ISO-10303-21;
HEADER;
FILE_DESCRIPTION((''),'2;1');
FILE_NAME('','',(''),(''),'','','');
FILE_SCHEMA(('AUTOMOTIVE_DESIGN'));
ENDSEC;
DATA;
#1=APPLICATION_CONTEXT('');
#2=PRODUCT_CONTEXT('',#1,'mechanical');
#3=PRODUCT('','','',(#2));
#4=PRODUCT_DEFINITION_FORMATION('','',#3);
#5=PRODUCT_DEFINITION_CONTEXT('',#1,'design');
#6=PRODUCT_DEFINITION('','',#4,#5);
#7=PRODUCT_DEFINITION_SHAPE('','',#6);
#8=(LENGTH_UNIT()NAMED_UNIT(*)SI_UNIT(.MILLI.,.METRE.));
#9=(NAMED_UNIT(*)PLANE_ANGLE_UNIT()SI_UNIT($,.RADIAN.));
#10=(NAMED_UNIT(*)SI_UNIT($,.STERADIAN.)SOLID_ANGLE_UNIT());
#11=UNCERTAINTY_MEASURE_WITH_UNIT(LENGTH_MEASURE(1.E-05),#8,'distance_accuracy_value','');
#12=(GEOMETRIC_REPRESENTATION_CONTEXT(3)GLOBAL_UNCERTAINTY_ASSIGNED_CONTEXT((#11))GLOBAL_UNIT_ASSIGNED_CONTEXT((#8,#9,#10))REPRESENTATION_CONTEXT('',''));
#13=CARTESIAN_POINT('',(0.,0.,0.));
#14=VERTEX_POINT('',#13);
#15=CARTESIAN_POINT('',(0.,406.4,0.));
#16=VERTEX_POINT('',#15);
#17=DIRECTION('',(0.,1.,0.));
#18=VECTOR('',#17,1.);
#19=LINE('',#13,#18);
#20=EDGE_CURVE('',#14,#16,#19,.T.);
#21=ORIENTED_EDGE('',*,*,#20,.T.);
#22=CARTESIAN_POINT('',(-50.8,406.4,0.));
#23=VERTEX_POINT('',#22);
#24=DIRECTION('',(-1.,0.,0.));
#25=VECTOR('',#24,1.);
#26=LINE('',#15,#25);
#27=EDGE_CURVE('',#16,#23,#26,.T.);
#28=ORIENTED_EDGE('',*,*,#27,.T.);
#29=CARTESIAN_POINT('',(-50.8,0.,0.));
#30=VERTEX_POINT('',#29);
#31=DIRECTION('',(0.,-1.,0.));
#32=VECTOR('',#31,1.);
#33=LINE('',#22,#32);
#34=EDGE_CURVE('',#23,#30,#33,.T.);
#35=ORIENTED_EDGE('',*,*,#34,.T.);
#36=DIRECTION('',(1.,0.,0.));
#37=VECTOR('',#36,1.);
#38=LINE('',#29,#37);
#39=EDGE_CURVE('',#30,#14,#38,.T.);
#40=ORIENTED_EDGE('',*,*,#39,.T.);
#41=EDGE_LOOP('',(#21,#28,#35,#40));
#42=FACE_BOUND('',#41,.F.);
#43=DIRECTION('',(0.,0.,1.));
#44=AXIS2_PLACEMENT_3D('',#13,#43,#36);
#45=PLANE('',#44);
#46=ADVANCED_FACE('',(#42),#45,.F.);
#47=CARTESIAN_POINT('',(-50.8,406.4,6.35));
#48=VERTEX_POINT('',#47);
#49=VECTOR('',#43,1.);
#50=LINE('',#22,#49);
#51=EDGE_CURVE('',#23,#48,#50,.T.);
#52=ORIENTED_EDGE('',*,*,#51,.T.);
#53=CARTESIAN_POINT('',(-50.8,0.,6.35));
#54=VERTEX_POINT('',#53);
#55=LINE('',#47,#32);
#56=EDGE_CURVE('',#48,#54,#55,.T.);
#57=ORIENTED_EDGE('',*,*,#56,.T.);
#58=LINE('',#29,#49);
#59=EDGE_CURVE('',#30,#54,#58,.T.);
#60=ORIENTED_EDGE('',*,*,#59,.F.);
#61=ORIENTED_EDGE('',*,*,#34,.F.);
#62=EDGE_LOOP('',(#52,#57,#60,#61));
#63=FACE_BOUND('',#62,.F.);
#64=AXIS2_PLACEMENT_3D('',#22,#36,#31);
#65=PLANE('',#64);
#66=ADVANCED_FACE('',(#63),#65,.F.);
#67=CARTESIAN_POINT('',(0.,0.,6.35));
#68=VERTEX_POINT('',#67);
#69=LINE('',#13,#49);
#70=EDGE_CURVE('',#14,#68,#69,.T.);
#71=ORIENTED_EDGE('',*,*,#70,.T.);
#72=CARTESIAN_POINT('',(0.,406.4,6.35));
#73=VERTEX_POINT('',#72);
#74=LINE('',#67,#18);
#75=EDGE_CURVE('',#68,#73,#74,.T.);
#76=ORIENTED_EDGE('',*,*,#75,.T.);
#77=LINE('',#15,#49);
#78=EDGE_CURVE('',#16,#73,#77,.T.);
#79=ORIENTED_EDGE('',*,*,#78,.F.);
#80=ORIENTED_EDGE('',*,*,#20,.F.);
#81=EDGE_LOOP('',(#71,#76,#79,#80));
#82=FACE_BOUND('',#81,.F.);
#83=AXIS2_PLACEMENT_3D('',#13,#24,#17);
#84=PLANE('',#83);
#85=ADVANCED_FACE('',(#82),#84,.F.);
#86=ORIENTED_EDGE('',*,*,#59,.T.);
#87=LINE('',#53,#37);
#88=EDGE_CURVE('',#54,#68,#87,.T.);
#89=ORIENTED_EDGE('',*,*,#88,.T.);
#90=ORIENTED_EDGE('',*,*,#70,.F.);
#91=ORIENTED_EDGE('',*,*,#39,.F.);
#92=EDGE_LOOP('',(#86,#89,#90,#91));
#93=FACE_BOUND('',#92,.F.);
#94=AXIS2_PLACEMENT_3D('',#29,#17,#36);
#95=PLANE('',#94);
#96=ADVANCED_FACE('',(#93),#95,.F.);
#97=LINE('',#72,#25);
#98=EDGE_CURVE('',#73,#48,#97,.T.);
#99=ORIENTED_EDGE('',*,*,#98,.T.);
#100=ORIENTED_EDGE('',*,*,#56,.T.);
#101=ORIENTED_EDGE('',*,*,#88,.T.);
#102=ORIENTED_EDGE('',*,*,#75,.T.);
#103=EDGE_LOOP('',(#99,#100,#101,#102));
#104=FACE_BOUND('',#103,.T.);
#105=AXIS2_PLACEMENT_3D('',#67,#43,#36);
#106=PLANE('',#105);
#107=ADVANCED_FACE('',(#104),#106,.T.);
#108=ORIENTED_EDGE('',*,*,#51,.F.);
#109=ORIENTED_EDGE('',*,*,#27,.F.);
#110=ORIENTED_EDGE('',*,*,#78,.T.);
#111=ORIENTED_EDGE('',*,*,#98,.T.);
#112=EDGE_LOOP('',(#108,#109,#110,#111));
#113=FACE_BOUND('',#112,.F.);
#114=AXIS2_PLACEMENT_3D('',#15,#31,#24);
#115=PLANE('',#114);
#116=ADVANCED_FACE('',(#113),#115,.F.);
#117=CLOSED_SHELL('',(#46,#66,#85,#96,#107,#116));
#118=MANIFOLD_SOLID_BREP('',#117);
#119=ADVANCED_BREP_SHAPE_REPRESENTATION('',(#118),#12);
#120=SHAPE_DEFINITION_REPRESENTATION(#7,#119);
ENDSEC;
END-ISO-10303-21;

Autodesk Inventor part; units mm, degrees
ref_plane "YZ Plane" through (0, 0, 0) normal (1, 0, 0) x (0, 1, 0)
ref_plane "XZ Plane" through (0, 0, 0) normal (0, 1, 0) x (-1, 0, 0)
ref_plane "XY Plane" through (0, 0, 0) normal (0, 0, 1) x (1, 0, 0)
sketch "Sketch1" plane through (0, 0, 0) normal (0, 0, 1) x (1, 0, 0)
  line L0 (0, 0) -> (0, 406.4)
  line L1 (0, 406.4) -> (-50.8, 406.4)
  line L2 (-50.8, 406.4) -> (-50.8, 0)
  line L3 (-50.8, 0) -> (0, 0)
  dimension "d0" = 406.4
  dimension "d1" = 50.8
extrude "Extrusion1" add sketch "Sketch1" along normal blind 6.35
properties material "Titanium"
